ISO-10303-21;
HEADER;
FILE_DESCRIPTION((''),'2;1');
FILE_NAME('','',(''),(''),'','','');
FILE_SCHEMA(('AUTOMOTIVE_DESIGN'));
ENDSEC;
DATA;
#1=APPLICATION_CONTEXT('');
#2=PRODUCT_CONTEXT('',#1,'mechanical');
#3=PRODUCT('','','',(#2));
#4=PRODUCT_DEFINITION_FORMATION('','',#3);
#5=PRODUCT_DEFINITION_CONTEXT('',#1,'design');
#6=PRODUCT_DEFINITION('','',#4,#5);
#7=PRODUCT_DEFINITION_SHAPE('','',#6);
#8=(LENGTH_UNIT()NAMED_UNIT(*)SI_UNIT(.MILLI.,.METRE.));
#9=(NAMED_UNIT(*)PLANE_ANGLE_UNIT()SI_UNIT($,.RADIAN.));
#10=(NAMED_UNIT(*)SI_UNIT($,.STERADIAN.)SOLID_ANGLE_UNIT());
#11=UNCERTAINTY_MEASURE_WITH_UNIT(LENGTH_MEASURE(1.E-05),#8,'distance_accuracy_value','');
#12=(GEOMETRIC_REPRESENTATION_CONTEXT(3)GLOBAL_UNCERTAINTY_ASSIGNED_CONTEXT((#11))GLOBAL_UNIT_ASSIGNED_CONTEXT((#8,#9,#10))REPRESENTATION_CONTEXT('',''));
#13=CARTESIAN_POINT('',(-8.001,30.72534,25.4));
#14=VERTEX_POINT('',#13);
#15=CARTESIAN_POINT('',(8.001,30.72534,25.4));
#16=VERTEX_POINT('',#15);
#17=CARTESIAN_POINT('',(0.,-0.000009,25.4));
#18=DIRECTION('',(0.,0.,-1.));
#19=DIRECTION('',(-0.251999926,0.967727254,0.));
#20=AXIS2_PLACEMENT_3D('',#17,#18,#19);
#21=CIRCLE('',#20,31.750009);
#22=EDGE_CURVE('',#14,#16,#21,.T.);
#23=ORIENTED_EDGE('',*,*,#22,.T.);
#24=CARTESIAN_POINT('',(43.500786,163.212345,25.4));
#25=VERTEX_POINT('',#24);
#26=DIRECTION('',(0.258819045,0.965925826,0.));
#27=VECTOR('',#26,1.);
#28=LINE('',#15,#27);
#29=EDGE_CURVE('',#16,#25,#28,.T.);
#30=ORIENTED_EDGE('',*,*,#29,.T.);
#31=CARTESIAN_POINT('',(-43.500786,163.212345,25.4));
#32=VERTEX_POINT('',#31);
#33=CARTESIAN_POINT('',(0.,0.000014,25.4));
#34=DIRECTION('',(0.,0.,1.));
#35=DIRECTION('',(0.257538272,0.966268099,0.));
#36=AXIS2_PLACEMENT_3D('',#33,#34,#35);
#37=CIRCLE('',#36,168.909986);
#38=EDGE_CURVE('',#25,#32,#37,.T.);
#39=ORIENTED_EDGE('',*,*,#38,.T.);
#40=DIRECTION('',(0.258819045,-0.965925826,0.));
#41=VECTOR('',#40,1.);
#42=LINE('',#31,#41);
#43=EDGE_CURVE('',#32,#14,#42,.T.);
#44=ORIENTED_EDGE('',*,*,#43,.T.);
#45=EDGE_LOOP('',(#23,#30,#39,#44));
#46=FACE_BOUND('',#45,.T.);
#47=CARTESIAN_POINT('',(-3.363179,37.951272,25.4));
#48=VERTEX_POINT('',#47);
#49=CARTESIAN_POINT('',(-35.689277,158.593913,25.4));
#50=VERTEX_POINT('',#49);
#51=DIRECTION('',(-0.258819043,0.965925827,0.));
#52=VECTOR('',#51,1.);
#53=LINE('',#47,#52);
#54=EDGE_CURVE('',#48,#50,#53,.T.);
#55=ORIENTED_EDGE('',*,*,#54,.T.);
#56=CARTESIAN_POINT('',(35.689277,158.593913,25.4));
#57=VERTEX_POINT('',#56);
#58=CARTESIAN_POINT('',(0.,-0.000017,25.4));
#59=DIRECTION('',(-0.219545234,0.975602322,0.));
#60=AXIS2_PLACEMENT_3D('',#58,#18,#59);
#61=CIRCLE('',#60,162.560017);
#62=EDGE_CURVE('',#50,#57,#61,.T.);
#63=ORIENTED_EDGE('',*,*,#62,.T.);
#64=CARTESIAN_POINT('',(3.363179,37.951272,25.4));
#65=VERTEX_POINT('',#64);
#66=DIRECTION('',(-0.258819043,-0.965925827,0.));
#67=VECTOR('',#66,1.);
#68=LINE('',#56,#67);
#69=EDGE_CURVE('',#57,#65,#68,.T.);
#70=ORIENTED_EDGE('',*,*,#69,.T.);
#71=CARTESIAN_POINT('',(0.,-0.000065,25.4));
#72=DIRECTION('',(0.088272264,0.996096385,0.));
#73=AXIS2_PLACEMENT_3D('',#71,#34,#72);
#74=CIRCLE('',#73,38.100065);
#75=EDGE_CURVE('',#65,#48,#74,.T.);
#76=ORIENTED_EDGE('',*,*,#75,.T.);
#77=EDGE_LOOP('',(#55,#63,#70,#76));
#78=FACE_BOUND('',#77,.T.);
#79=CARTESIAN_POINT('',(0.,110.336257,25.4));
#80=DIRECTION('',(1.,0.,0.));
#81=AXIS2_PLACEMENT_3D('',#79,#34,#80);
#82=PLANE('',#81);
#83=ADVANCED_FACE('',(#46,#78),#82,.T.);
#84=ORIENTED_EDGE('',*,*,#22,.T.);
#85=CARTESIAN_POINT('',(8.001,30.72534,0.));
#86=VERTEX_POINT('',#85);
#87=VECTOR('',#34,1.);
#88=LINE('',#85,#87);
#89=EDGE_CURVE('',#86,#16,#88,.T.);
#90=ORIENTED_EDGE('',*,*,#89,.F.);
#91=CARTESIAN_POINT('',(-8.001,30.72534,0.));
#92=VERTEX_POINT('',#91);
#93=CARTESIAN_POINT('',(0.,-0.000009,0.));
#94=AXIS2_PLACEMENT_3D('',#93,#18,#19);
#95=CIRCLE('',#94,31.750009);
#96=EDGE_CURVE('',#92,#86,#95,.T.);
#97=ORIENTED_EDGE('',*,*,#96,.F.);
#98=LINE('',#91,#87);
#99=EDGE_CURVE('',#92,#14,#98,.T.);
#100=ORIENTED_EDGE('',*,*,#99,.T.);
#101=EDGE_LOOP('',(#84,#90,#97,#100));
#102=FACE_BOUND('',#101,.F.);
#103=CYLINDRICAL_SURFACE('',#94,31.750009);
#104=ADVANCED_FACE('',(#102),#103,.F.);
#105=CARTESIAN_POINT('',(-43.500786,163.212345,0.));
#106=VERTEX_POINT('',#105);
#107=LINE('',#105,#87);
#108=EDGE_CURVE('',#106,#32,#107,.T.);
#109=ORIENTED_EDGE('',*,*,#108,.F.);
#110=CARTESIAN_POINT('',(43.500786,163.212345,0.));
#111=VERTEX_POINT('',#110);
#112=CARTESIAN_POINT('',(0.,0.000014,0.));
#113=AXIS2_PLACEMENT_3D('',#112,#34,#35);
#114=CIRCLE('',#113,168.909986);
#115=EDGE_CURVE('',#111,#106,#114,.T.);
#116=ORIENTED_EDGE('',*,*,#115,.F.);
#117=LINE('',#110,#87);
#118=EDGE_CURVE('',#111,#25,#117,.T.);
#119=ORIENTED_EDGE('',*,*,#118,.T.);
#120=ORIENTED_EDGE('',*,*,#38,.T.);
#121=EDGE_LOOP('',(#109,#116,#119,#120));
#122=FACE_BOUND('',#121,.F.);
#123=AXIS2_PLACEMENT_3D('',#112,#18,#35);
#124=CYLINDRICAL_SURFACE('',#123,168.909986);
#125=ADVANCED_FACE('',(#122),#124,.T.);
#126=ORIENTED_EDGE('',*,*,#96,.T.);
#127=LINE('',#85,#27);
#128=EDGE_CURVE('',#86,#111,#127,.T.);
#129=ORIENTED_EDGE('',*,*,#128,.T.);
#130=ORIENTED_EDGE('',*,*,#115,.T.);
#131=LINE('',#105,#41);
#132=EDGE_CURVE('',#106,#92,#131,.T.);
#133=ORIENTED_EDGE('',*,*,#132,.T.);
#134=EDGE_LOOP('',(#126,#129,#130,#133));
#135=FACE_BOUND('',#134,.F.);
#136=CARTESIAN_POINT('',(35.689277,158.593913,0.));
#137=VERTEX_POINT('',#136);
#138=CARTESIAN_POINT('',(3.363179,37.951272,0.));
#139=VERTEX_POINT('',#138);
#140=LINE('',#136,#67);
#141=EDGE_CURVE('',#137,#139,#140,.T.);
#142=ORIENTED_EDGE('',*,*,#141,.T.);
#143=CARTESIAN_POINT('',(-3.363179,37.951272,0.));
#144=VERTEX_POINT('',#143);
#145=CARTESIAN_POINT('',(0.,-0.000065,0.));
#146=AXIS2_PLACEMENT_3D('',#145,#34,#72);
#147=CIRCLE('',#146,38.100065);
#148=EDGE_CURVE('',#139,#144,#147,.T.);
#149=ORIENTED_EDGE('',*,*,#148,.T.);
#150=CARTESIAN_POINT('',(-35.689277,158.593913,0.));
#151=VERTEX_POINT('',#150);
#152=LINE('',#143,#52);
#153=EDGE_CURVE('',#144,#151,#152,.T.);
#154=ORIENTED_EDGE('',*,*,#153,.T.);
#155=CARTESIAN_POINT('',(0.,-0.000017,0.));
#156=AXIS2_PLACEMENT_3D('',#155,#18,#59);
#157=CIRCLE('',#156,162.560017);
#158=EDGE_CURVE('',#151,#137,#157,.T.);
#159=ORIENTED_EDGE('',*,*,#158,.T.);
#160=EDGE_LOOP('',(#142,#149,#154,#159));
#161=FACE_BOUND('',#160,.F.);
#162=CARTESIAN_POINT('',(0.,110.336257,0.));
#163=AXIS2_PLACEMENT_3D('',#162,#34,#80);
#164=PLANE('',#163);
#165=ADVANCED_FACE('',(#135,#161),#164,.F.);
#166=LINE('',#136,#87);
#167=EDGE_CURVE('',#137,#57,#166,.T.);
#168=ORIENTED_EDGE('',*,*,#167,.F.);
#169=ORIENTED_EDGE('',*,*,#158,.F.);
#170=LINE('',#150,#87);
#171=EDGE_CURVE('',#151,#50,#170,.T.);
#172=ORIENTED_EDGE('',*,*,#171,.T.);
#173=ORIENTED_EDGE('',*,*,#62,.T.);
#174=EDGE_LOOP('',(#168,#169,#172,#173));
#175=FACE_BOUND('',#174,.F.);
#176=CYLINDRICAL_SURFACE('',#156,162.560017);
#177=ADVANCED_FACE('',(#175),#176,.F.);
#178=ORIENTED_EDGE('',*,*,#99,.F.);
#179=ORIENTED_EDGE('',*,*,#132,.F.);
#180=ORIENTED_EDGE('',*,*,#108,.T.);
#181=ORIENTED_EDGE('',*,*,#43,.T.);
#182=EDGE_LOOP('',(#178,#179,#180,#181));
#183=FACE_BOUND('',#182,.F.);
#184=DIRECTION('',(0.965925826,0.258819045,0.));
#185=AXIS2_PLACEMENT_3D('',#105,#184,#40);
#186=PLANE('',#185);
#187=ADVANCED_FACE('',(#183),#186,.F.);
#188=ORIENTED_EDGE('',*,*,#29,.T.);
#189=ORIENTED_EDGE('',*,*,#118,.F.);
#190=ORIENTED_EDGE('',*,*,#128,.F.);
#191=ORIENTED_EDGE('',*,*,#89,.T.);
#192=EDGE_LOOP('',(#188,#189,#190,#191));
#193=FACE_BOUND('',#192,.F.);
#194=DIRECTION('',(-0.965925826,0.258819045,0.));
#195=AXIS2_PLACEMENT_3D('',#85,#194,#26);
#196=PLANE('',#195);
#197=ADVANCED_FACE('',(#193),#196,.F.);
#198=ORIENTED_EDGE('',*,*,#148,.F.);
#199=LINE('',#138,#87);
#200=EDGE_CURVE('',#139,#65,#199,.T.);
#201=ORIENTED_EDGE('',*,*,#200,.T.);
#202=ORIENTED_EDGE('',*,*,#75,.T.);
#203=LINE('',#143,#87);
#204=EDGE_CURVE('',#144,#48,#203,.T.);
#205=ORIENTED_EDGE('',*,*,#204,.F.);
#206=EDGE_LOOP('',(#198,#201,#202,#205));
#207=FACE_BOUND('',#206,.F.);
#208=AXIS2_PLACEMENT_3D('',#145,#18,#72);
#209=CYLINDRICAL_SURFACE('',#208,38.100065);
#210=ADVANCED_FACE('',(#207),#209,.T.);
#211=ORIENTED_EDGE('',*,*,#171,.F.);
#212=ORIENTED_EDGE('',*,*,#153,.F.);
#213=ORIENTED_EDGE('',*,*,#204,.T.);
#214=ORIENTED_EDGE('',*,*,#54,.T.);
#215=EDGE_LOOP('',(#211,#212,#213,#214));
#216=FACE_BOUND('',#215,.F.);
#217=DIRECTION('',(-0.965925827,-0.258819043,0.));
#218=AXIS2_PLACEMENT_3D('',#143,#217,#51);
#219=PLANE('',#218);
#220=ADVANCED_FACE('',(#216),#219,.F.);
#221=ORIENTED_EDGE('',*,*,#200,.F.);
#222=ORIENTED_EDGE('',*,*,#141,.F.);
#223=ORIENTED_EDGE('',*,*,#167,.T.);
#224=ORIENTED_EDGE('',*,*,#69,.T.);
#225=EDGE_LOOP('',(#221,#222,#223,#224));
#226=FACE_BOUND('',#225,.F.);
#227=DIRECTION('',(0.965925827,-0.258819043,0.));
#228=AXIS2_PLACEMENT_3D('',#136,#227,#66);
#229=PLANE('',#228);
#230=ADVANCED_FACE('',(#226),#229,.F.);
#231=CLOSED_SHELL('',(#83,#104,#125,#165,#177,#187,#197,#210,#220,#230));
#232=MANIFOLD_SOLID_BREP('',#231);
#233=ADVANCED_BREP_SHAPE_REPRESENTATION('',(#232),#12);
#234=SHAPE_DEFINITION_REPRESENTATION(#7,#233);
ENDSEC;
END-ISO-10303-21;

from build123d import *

# Parameters (mm, degrees)
F1_DEPTH = 25.4


with BuildPart() as f1:
    # F0 (on Top) → F1 (new body)
    with BuildSketch(Plane.XY):
        with BuildLine():
            ThreePointArc((-8.001, 30.72534), (0, 31.75), (8.001, 30.72534))
            Line((8.001, 30.72534), (43.500786, 163.212345))
            ThreePointArc((43.500786, 163.212345), (0, 168.91), (-43.500786, 163.212345))
            Line((-43.500786, 163.212345), (-8.001, 30.72534))
        make_face()
        with BuildLine():
            Line((35.689277, 158.593913), (3.363179, 37.951272))
            ThreePointArc((3.363179, 37.951272), (0, 38.1), (-3.363179, 37.951272))
            Line((-3.363179, 37.951272), (-35.689277, 158.593913))
            ThreePointArc((-35.689277, 158.593913), (0, 162.56), (35.689277, 158.593913))
        make_face(mode=Mode.SUBTRACT)
    extrude(amount=F1_DEPTH)


solid = f1.part
